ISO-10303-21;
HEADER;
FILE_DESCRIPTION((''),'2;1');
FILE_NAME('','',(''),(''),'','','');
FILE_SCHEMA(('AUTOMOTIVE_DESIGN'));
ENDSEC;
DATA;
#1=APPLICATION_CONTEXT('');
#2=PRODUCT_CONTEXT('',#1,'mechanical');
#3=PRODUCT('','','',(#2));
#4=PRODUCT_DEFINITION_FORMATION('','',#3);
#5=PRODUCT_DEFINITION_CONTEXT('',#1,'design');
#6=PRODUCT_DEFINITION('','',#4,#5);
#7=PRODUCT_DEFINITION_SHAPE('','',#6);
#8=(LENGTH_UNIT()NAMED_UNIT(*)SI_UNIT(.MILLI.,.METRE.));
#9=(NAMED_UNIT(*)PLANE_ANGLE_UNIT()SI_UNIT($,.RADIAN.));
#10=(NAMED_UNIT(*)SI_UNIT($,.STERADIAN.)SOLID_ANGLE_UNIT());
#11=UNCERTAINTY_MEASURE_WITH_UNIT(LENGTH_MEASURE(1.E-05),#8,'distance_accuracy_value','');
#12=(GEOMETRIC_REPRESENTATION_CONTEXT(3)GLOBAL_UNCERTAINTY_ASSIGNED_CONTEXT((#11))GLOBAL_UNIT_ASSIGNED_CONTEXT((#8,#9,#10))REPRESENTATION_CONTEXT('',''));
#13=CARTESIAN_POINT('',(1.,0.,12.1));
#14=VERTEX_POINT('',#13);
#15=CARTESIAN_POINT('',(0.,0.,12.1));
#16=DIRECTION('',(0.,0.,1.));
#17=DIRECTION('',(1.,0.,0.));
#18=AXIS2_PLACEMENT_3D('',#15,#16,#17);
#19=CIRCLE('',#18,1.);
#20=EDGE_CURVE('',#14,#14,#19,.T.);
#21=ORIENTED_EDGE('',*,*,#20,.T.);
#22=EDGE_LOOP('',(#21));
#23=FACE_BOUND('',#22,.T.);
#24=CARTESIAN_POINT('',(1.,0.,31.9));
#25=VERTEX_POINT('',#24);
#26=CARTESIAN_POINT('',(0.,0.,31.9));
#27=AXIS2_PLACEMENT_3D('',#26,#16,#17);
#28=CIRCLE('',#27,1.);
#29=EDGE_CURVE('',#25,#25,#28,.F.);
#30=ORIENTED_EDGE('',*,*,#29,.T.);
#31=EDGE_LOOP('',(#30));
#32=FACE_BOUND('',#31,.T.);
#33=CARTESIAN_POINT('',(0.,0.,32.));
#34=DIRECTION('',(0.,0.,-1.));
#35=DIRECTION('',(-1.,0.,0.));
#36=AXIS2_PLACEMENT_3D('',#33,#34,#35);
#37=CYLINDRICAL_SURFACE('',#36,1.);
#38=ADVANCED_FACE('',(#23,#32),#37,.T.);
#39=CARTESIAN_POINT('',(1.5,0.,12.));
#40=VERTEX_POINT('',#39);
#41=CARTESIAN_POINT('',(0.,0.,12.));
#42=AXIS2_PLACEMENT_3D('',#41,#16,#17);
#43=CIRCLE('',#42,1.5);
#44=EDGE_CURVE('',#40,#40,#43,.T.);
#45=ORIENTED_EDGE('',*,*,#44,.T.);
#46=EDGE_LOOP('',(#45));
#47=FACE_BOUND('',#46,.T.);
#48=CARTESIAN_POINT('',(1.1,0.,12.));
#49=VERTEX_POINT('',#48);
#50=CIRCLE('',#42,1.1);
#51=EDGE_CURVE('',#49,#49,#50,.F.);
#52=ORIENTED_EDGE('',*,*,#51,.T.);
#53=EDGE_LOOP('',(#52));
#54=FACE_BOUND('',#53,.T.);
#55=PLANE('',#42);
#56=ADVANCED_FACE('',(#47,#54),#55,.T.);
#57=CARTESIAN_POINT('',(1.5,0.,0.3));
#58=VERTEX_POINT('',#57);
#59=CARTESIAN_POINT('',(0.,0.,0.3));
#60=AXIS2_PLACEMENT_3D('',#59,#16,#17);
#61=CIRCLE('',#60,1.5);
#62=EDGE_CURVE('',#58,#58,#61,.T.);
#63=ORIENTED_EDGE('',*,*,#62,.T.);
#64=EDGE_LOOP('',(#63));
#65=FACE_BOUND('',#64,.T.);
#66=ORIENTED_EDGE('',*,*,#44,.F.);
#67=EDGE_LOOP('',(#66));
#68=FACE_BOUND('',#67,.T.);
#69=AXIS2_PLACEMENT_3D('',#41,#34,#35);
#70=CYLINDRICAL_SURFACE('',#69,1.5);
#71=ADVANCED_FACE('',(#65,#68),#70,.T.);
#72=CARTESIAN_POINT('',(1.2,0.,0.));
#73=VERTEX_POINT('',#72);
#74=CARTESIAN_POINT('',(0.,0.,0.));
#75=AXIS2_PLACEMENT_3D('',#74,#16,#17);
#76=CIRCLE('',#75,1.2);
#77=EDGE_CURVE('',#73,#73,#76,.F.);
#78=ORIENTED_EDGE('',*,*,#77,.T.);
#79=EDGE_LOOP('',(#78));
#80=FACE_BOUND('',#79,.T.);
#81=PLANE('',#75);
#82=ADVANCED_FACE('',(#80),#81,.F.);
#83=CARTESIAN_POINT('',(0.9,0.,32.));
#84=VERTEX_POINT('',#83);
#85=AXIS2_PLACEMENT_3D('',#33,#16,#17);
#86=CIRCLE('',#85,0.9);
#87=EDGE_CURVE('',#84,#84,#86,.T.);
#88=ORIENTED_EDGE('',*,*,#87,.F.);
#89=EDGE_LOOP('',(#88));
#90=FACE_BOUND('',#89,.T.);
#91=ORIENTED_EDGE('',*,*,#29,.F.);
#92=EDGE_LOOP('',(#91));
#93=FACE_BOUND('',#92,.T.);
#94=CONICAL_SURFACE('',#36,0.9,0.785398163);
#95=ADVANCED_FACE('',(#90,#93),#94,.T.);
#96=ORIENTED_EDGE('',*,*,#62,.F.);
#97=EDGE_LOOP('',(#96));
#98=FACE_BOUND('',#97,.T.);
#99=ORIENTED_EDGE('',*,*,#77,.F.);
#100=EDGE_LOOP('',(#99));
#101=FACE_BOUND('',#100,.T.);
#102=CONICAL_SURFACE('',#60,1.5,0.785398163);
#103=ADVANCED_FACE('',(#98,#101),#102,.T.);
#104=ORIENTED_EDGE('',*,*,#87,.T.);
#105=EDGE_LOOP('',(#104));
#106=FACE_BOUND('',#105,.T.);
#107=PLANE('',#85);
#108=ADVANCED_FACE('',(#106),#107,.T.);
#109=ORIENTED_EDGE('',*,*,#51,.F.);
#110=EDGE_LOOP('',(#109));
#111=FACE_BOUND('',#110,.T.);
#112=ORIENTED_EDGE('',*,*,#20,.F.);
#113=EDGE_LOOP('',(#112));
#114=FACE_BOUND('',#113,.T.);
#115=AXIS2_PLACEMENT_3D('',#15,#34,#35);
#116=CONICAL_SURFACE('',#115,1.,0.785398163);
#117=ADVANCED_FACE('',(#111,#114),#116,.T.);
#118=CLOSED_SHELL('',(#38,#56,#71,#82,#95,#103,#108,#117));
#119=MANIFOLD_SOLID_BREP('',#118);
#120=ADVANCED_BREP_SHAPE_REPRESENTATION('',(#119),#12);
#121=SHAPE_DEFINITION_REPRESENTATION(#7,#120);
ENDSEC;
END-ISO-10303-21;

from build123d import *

# Parameters (mm, degrees)
SKETCH1_R           = 1.5
BOSS_EXTRUDE1_DEPTH = 12
SKETCH2_R           = 1
BOSS_EXTRUDE2_DEPTH = 20
CHAMFER1_SIZE       = 0.3
CHAMFER2_SIZE       = 0.1


with BuildPart() as part:
    # Sketch1 → Boss-Extrude1 (new body)
    with BuildSketch(Plane.XY):
        Circle(SKETCH1_R)
    extrude(amount=BOSS_EXTRUDE1_DEPTH)

    # Sketch2 → Boss-Extrude2 (add)
    with BuildSketch(Plane.XY.offset(12)):
        Circle(SKETCH2_R)
    extrude(amount=BOSS_EXTRUDE2_DEPTH)

    # Chamfer1
    chamfer1_edges = [part.edges().sort_by_distance(p)[0] for p in [
        (-1.5, 0, 0),
    ]]
    chamfer(chamfer1_edges, length=CHAMFER1_SIZE)

    # Chamfer2
    chamfer2_edges = [part.edges().sort_by_distance(p)[0] for p in [
        (-1, 0, 12),
        (-1, 0, 32),
    ]]
    chamfer(chamfer2_edges, length=CHAMFER2_SIZE)


solid = part.part
